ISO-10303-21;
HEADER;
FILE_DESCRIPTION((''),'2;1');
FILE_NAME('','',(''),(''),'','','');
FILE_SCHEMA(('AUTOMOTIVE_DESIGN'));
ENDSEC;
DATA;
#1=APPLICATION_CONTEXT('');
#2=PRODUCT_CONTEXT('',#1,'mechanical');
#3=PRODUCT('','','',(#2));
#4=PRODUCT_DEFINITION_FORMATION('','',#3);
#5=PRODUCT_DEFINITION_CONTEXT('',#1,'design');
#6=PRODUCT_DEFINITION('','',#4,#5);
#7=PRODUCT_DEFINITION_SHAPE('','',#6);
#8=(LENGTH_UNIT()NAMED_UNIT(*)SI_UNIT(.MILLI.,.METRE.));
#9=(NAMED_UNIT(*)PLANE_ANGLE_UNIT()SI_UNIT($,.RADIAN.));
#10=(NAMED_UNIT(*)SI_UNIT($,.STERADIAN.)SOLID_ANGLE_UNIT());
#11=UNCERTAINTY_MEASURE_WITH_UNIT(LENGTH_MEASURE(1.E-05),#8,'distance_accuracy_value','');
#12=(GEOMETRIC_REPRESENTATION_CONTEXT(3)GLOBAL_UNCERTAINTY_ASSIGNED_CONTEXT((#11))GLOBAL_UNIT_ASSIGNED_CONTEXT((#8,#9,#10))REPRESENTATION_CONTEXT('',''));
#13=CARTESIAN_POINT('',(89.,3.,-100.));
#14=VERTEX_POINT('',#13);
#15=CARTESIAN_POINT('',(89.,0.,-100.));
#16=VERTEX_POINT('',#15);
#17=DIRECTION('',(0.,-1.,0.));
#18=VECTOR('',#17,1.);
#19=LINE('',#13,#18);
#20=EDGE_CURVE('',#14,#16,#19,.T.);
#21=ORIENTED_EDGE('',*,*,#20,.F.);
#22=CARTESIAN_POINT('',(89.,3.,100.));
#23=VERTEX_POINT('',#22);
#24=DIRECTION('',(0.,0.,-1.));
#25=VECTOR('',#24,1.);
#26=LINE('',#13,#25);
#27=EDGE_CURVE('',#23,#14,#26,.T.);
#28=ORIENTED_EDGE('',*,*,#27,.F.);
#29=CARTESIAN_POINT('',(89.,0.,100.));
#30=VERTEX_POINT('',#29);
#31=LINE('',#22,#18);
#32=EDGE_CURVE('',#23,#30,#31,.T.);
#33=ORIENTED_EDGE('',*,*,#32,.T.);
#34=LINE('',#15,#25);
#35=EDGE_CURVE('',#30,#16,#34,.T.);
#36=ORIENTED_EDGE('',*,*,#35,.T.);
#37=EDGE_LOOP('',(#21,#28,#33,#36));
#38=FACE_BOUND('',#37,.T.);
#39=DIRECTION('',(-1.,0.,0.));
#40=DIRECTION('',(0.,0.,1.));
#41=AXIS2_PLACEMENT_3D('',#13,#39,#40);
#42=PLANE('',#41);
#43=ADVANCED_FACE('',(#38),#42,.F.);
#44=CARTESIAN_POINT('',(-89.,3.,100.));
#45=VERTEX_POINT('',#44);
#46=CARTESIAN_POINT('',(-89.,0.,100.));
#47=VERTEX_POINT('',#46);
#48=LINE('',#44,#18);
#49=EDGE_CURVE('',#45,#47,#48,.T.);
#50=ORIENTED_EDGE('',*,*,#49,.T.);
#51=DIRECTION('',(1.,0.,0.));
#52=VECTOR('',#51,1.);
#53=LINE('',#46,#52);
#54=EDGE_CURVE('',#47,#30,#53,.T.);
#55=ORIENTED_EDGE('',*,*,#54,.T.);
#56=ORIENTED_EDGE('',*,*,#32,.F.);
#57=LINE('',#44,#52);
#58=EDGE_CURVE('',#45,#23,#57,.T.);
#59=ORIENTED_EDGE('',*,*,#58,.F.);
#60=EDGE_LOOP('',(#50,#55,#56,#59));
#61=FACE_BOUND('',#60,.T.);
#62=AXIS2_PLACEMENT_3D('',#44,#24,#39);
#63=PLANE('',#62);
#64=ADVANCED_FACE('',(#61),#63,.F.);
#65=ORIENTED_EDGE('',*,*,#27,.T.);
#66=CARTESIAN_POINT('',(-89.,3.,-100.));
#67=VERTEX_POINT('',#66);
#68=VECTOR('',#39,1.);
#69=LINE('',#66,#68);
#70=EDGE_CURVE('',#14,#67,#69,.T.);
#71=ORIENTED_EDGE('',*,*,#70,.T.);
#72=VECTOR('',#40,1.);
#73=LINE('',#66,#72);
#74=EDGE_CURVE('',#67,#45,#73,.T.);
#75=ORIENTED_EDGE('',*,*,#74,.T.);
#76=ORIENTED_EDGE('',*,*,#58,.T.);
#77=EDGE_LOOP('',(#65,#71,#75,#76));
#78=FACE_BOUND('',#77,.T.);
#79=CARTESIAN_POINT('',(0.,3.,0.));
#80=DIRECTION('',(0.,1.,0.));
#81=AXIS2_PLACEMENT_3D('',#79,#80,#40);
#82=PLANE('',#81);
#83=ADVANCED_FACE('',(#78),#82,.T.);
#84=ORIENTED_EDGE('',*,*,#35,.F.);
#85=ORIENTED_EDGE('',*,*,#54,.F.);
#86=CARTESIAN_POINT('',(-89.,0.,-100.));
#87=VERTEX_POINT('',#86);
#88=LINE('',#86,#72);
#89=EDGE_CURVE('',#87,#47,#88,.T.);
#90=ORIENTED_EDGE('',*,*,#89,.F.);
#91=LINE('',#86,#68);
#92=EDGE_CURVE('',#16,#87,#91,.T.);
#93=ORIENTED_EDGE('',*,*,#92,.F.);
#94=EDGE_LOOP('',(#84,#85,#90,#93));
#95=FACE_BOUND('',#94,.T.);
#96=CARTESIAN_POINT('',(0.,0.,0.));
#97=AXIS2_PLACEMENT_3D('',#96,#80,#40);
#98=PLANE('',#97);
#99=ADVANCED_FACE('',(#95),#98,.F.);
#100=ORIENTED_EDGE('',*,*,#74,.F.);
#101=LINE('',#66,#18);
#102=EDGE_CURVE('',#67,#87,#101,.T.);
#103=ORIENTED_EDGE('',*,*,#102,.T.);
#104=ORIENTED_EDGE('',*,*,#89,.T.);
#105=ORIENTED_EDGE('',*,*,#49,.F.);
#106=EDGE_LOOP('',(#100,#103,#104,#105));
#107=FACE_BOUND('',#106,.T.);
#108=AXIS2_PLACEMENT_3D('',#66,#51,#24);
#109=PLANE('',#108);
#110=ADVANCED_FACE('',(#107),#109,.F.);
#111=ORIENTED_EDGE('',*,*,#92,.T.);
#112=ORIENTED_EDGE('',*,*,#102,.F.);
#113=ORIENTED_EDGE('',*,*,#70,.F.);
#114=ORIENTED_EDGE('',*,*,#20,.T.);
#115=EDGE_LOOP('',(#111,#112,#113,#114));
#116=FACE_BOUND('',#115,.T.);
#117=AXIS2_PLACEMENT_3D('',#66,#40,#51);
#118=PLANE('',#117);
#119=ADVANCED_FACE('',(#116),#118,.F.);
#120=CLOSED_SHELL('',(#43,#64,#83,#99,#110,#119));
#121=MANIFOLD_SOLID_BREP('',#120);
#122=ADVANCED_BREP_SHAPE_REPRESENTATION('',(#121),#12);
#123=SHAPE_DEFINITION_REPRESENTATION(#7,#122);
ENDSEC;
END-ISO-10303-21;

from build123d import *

# Parameters (mm, degrees)
ESBO_O1_W                = 178
ESBO_O1_H                = 200
RESSALTO_EXTRUS_O1_DEPTH = 3


with BuildPart() as part:
    # Esboço1 → Ressalto-extrusão1 (new body)
    with BuildSketch(Plane(origin=(0, 0, 0), x_dir=(1, 0, 0), z_dir=(0, 1, 0))):
        Rectangle(ESBO_O1_W, ESBO_O1_H)
    extrude(amount=RESSALTO_EXTRUS_O1_DEPTH)


solid = part.part
